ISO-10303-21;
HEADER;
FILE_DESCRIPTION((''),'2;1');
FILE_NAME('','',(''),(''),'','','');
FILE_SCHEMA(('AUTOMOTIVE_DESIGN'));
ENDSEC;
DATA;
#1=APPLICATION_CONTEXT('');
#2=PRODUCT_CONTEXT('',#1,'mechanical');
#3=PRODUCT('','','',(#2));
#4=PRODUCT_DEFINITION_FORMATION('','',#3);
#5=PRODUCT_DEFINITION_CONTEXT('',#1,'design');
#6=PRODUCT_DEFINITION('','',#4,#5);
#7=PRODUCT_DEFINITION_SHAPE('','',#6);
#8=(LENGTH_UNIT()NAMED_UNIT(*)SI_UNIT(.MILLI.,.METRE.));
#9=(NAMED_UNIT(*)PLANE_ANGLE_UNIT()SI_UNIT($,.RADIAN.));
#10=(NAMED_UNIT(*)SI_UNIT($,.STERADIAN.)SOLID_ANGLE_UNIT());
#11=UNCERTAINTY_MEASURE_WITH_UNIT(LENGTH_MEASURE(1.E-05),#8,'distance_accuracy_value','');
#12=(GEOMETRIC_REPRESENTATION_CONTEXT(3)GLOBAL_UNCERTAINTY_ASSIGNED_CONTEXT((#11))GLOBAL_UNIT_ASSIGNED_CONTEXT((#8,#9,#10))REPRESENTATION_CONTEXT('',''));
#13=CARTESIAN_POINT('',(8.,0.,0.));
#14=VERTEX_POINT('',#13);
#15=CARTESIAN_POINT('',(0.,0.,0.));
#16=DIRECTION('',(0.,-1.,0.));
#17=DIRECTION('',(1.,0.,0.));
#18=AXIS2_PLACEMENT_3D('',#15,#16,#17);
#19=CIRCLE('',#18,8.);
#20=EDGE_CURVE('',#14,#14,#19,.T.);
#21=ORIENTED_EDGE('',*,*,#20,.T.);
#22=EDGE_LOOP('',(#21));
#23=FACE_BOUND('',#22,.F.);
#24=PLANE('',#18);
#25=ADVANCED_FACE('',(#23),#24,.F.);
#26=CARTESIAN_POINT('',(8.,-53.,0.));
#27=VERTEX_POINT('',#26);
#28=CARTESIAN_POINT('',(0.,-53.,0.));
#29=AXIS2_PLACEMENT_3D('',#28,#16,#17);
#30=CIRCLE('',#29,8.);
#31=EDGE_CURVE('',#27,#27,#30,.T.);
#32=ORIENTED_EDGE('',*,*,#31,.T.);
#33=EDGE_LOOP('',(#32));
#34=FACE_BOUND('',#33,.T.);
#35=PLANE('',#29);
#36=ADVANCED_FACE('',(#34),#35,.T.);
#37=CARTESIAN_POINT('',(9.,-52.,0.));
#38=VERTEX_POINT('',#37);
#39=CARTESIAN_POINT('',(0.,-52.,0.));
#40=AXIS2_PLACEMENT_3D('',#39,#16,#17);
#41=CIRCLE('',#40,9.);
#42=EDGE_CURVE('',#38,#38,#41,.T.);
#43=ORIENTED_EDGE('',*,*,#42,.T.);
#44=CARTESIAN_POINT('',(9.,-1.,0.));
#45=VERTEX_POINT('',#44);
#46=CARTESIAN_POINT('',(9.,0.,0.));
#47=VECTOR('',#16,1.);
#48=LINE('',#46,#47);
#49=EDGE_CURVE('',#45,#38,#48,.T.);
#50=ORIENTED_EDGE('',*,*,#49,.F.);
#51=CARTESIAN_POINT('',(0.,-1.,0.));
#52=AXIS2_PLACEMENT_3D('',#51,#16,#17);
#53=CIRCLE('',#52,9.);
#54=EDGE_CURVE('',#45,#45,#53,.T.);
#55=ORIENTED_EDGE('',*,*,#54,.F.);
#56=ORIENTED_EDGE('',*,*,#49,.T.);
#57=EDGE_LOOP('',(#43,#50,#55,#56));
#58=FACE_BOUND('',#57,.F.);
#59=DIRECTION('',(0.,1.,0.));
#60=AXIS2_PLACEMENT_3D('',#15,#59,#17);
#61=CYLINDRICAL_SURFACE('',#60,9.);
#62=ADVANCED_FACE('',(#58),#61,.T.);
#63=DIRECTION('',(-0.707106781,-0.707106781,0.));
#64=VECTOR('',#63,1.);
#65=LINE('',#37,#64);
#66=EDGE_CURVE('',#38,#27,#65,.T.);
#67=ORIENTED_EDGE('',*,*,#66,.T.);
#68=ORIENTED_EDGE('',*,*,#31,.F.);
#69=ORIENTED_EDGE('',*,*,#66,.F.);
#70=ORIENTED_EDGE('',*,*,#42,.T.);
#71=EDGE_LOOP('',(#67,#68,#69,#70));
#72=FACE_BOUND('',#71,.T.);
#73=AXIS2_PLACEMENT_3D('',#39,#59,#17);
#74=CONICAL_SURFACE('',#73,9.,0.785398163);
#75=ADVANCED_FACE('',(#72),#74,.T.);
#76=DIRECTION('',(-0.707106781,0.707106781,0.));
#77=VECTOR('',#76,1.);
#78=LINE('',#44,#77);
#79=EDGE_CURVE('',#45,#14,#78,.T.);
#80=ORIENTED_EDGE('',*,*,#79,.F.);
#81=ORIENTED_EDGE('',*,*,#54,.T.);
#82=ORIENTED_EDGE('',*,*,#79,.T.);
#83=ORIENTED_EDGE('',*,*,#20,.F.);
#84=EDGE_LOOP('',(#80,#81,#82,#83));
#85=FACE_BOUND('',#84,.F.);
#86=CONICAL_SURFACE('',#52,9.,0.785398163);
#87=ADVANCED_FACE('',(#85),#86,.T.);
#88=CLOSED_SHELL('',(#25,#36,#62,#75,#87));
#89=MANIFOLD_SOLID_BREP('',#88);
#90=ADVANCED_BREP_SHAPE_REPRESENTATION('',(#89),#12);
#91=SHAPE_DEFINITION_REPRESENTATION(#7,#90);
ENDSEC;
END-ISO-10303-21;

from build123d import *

# Parameters (mm, degrees)
F0_R     = 9
F1_DEPTH = 53
F2_SIZE  = 1


with BuildPart() as f1:
    # F0 (on Front) → F1 (new body)
    with BuildSketch(Plane.XZ):
        Circle(F0_R)
    extrude(amount=F1_DEPTH)

    # F2
    f2_edges = [f1.edges().sort_by_distance(p)[0] for p in [
        (9, -26.5, 0),
        (-9, 0, 0),
        (-9, -53, 0),
    ]]
    chamfer(f2_edges, length=F2_SIZE)


solid = f1.part
